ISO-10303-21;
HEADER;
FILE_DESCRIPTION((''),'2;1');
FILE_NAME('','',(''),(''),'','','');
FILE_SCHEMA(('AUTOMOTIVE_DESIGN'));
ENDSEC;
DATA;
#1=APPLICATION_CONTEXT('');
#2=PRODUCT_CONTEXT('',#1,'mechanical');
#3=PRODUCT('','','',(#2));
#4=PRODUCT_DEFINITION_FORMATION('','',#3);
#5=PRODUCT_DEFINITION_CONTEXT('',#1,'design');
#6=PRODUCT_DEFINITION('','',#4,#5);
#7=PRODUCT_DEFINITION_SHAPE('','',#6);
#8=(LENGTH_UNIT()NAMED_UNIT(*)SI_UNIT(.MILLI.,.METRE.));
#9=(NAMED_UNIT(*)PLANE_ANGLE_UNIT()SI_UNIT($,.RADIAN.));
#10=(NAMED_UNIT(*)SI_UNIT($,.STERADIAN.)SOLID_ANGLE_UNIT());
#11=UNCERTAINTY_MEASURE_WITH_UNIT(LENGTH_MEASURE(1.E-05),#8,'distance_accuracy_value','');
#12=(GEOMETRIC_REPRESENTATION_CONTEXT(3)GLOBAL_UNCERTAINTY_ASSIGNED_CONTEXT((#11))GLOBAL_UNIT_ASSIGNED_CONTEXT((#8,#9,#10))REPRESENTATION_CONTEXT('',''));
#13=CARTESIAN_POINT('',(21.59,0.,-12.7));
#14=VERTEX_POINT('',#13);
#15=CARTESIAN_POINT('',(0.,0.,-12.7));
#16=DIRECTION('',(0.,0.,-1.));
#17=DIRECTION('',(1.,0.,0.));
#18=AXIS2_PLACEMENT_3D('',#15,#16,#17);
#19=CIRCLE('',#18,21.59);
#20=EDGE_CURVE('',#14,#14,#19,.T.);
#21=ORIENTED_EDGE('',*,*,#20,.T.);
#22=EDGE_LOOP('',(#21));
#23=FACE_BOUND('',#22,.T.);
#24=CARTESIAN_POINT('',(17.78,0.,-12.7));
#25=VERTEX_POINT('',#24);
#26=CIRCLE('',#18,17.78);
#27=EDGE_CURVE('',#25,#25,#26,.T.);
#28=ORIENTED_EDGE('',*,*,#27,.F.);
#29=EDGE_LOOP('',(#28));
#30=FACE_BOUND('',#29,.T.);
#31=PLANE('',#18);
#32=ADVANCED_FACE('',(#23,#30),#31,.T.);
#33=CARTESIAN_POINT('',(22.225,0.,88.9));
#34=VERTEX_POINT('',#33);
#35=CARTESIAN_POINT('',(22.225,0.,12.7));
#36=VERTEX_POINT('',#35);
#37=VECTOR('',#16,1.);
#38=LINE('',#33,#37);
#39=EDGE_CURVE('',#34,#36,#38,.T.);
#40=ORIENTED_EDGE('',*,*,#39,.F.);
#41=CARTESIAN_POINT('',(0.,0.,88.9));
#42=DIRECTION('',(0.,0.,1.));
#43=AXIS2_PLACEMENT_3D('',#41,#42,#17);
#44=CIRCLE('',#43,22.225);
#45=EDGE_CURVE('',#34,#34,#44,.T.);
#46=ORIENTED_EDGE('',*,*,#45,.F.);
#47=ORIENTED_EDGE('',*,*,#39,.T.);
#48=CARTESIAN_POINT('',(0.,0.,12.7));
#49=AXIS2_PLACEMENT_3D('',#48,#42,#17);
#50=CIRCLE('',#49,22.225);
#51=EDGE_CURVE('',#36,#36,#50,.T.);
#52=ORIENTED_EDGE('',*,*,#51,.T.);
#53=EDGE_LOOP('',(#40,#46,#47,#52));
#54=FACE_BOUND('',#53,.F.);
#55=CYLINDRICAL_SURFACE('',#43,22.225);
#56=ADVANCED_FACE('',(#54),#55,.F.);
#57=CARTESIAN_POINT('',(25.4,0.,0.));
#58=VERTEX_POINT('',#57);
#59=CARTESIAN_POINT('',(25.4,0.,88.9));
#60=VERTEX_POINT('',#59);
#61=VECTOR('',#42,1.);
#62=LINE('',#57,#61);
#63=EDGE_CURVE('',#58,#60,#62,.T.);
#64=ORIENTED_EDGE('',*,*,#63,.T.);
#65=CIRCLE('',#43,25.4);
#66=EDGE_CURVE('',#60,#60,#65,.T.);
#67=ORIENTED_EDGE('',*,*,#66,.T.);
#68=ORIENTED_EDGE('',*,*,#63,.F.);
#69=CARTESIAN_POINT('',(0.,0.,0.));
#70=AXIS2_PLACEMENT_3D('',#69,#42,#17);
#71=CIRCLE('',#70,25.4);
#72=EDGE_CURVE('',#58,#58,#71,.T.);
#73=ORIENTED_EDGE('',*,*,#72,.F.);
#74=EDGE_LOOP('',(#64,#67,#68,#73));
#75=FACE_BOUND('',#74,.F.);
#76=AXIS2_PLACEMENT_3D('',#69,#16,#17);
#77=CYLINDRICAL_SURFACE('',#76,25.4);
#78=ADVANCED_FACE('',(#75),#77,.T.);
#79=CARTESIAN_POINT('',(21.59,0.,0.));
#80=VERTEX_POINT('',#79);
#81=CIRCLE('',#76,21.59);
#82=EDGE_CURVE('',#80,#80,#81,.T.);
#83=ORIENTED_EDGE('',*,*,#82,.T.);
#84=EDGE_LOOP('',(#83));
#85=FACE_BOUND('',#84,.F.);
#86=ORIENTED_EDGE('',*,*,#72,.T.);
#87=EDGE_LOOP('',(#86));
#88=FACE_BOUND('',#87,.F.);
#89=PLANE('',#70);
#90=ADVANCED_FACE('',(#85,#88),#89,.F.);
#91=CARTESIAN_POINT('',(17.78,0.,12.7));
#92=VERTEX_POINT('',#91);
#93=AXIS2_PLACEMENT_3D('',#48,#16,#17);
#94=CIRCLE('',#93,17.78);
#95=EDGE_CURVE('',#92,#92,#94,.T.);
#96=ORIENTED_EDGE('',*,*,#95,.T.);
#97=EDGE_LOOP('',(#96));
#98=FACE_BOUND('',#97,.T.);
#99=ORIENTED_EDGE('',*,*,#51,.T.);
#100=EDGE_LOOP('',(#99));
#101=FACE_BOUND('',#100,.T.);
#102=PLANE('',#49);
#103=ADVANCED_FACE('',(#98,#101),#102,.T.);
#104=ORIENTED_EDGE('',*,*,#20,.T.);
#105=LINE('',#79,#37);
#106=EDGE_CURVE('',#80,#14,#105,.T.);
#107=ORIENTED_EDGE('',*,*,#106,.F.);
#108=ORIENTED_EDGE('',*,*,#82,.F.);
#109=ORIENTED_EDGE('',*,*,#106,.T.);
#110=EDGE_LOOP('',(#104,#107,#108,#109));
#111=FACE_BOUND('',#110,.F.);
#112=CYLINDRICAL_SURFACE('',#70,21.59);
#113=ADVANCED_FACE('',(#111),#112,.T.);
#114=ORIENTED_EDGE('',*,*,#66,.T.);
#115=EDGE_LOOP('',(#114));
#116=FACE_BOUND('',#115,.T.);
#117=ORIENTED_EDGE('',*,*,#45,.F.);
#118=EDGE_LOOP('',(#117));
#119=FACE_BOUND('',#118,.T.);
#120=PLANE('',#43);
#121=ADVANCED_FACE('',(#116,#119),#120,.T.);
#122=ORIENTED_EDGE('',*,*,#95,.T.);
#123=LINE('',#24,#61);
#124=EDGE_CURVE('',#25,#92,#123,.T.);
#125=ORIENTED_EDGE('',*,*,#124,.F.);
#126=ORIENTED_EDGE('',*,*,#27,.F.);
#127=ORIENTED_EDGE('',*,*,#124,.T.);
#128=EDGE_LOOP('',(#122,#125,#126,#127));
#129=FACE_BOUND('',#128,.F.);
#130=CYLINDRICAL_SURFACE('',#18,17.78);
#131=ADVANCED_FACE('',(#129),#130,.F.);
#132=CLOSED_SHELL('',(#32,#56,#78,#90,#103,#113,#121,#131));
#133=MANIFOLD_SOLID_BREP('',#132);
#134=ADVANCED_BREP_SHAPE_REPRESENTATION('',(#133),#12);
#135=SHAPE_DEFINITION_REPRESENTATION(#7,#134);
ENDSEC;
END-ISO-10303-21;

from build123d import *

# Parameters (mm, degrees)
F0_R     = 25.4
F1_DEPTH = 88.9
F2_R     = 22.225
F3_DEPTH = 76.2
F4_R     = 21.59
F5_DEPTH = 12.7
F6_R     = 17.78
F7_DEPTH = 101.601


with BuildPart() as f1:
    # F0 (on Top) → F1 (new body)
    with BuildSketch(Plane.XY):
        Circle(F0_R)
    extrude(amount=F1_DEPTH)

    # F2 (on face) → F3 (cut)
    with BuildSketch(Plane.XY.offset(88.9)):
        Circle(F2_R)
    extrude(amount=-F3_DEPTH, mode=Mode.SUBTRACT)

    # F4 (on face) → F5 (join)
    with BuildSketch(Plane(origin=(0, 0, 0), x_dir=(1, 0, 0), z_dir=(0, 0, -1))):
        Circle(F4_R)
    extrude(amount=F5_DEPTH)

    # F6 (on face) → F7 (cut, through all)
    with BuildSketch(Plane(origin=(0, 0, -12.7), x_dir=(1, 0, 0), z_dir=(0, 0, -1))):
        Circle(F6_R)
    extrude(amount=-F7_DEPTH, mode=Mode.SUBTRACT)


solid = f1.part
